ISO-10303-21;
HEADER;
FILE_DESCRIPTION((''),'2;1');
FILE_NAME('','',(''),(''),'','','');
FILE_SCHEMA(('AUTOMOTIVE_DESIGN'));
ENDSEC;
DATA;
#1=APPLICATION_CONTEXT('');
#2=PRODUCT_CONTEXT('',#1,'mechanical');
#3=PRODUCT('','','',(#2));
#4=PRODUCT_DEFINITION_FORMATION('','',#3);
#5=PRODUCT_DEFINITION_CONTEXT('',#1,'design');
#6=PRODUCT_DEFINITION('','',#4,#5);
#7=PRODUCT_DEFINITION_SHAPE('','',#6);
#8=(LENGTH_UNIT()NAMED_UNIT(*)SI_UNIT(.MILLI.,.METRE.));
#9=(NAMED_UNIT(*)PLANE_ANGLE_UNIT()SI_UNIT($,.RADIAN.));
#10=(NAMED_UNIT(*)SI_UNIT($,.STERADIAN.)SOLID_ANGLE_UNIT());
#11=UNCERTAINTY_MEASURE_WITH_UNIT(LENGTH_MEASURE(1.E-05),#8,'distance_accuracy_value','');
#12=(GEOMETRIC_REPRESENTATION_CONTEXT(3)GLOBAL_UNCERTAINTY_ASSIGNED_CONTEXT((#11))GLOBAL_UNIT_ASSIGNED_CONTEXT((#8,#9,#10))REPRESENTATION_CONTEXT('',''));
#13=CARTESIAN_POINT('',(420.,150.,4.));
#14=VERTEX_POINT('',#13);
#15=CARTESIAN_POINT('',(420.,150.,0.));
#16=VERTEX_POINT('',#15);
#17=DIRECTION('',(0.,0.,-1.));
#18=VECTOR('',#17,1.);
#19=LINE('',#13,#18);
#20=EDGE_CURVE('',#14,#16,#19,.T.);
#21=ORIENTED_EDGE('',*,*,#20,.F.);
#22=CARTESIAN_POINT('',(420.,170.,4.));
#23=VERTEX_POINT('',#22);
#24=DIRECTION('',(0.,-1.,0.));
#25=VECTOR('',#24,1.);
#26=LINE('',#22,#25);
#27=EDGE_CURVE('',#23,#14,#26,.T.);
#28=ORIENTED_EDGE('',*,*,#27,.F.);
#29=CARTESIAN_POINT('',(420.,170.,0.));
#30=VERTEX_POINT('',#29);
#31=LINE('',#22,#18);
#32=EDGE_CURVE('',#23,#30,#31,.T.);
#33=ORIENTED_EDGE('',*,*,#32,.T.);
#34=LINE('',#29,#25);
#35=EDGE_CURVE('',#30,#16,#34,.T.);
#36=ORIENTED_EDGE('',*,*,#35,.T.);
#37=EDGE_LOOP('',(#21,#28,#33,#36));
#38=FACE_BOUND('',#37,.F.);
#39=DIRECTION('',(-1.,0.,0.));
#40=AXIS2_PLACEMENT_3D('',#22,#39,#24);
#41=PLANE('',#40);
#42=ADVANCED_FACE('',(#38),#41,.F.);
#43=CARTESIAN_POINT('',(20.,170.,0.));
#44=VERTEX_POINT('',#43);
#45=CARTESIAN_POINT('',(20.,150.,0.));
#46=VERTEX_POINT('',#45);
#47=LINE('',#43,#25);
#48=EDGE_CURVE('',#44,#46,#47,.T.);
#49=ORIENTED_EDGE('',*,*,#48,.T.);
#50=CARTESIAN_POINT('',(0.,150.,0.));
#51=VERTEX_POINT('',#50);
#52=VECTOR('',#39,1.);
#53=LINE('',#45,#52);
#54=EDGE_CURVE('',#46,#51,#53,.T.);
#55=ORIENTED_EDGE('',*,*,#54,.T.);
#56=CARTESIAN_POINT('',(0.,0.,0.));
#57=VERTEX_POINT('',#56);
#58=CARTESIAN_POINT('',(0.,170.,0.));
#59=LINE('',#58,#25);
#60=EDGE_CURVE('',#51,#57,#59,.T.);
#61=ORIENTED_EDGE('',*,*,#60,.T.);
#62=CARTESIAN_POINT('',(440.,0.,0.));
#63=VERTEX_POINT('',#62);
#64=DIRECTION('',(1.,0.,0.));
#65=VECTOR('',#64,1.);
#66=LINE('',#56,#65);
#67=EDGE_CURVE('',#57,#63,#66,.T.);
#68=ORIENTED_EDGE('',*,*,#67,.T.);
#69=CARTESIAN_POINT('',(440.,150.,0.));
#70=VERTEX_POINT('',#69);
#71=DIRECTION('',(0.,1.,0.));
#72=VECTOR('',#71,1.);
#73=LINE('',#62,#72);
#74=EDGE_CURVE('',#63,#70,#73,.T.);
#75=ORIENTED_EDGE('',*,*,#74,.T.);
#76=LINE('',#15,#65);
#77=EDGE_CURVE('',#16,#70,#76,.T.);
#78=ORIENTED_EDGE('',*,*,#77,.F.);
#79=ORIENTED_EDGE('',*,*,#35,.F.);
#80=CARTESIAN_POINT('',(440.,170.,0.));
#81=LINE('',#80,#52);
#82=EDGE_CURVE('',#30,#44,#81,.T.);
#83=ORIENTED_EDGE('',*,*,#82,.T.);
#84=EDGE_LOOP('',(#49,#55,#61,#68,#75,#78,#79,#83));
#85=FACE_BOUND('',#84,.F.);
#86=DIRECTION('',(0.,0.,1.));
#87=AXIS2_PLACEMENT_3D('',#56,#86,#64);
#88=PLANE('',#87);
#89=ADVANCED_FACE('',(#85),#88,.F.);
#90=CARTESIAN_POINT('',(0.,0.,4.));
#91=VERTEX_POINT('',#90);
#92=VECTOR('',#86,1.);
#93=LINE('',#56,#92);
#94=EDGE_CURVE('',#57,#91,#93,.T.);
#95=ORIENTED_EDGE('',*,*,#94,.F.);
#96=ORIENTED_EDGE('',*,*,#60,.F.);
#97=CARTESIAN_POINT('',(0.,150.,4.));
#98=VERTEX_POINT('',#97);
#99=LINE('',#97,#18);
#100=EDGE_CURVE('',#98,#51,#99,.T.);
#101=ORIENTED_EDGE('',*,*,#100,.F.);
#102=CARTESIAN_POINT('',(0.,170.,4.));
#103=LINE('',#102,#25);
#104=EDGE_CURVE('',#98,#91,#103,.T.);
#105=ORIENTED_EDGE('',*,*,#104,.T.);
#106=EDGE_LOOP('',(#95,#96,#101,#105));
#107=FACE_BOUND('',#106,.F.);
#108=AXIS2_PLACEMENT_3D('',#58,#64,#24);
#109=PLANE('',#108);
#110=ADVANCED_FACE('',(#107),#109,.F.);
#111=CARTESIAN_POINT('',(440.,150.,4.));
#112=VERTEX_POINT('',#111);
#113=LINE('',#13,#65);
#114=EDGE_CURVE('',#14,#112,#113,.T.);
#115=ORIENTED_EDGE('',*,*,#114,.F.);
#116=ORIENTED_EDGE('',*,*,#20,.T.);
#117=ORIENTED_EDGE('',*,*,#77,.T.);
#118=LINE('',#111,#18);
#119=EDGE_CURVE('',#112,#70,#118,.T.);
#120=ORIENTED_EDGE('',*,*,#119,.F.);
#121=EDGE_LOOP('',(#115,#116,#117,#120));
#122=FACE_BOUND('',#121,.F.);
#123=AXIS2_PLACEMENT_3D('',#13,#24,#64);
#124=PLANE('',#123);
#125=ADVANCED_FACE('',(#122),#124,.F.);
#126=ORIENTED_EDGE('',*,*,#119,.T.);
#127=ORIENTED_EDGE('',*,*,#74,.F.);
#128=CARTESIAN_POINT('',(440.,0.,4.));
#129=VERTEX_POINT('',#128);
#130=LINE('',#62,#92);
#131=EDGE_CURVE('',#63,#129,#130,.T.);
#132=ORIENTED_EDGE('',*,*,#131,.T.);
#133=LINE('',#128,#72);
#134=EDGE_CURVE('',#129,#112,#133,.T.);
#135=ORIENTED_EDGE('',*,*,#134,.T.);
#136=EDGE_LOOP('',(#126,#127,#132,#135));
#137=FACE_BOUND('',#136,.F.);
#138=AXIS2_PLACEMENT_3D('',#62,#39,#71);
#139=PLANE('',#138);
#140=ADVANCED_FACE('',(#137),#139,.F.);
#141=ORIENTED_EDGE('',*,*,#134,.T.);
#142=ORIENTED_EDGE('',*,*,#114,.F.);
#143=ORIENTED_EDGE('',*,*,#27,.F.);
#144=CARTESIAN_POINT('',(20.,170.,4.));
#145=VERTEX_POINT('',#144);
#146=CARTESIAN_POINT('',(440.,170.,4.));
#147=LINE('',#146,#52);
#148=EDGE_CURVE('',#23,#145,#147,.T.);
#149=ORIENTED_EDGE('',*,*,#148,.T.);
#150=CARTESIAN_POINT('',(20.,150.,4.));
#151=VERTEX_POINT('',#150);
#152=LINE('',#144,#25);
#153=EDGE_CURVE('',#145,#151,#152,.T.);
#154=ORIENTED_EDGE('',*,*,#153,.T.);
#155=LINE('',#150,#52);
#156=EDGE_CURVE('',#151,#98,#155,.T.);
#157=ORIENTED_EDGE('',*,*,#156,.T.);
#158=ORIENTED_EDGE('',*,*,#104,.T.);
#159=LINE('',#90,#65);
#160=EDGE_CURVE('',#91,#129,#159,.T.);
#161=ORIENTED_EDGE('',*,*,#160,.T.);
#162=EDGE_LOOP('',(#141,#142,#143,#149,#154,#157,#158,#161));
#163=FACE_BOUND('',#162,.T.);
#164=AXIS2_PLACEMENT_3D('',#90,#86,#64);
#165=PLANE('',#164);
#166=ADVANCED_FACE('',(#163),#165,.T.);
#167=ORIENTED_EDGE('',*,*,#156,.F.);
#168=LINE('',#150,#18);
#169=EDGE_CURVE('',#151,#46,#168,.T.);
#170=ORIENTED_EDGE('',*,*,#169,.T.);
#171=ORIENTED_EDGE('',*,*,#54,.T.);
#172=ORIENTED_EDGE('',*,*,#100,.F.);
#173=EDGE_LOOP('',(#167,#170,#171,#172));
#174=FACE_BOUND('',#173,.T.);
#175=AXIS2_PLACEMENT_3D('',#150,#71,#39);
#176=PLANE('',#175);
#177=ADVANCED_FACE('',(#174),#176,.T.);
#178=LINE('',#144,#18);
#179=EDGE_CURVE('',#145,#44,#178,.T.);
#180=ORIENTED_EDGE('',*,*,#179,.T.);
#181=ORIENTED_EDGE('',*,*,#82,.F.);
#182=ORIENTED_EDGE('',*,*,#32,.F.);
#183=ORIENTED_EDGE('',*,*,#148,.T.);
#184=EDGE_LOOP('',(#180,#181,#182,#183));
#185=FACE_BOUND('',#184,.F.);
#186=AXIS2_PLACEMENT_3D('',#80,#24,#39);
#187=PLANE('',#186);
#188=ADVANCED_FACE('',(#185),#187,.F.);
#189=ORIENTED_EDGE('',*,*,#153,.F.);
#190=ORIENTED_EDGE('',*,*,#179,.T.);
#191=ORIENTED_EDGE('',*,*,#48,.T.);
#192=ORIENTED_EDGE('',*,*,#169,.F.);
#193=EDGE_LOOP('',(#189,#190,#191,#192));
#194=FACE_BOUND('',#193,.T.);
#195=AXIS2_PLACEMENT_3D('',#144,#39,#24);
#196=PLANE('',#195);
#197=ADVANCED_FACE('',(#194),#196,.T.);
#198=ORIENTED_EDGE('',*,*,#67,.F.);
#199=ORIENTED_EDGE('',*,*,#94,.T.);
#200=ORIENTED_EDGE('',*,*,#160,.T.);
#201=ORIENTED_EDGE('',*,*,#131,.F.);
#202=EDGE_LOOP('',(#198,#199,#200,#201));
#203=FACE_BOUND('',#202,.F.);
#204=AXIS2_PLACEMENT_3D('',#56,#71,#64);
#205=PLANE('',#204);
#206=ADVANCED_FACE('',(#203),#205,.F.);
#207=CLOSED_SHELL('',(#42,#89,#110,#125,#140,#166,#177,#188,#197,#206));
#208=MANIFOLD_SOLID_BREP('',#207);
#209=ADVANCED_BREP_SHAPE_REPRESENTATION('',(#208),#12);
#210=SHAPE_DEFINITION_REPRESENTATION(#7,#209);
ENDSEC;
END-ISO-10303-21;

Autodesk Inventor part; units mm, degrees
ref_plane "YZ Plane" through (0, 0, 0) normal (1, 0, 0) x (0, 1, 0)
ref_plane "XZ Plane" through (0, 0, 0) normal (0, 1, 0) x (-1, 0, 0)
ref_plane "XY Plane" through (0, 0, 0) normal (0, 0, 1) x (1, 0, 0)
sketch "スケッチ1" plane through (0, 0, 0) normal (0, 0, 1) x (1, 0, 0)
  line L0 (0, 0) -> (440, 0)
  line L1 (440, 0) -> (440, 170)
  line L2 (440, 170) -> (0, 170)
  line L3 (0, 170) -> (0, 0)
  dimension "d0" = 440
  dimension "d1" = 170
extrude "押し出し1" add sketch "スケッチ1" along normal blind 4
sketch "スケッチ2" plane through (0, 0, 4) normal (0, 0, 1) x (1, 0, 0)
  line L0 (440, 170) -> (0, 170) projected
  line L1 (0, 170) -> (20, 170)
  line L2 (20, 170) -> (20, 150)
  line L3 (20, 150) -> (0, 150)
  line L4 (0, 150) -> (0, 170)
  line L5 (440, 170) -> (420, 170)
  line L6 (420, 170) -> (420, 150)
  line L7 (420, 150) -> (440, 150)
  line L8 (440, 150) -> (440, 170)
  point P0 (0, 0)
  dimension "d6" = 20
extrude "押し出し2" cut sketch "スケッチ2" against normal blind 4
properties part number "回路スペース2"
